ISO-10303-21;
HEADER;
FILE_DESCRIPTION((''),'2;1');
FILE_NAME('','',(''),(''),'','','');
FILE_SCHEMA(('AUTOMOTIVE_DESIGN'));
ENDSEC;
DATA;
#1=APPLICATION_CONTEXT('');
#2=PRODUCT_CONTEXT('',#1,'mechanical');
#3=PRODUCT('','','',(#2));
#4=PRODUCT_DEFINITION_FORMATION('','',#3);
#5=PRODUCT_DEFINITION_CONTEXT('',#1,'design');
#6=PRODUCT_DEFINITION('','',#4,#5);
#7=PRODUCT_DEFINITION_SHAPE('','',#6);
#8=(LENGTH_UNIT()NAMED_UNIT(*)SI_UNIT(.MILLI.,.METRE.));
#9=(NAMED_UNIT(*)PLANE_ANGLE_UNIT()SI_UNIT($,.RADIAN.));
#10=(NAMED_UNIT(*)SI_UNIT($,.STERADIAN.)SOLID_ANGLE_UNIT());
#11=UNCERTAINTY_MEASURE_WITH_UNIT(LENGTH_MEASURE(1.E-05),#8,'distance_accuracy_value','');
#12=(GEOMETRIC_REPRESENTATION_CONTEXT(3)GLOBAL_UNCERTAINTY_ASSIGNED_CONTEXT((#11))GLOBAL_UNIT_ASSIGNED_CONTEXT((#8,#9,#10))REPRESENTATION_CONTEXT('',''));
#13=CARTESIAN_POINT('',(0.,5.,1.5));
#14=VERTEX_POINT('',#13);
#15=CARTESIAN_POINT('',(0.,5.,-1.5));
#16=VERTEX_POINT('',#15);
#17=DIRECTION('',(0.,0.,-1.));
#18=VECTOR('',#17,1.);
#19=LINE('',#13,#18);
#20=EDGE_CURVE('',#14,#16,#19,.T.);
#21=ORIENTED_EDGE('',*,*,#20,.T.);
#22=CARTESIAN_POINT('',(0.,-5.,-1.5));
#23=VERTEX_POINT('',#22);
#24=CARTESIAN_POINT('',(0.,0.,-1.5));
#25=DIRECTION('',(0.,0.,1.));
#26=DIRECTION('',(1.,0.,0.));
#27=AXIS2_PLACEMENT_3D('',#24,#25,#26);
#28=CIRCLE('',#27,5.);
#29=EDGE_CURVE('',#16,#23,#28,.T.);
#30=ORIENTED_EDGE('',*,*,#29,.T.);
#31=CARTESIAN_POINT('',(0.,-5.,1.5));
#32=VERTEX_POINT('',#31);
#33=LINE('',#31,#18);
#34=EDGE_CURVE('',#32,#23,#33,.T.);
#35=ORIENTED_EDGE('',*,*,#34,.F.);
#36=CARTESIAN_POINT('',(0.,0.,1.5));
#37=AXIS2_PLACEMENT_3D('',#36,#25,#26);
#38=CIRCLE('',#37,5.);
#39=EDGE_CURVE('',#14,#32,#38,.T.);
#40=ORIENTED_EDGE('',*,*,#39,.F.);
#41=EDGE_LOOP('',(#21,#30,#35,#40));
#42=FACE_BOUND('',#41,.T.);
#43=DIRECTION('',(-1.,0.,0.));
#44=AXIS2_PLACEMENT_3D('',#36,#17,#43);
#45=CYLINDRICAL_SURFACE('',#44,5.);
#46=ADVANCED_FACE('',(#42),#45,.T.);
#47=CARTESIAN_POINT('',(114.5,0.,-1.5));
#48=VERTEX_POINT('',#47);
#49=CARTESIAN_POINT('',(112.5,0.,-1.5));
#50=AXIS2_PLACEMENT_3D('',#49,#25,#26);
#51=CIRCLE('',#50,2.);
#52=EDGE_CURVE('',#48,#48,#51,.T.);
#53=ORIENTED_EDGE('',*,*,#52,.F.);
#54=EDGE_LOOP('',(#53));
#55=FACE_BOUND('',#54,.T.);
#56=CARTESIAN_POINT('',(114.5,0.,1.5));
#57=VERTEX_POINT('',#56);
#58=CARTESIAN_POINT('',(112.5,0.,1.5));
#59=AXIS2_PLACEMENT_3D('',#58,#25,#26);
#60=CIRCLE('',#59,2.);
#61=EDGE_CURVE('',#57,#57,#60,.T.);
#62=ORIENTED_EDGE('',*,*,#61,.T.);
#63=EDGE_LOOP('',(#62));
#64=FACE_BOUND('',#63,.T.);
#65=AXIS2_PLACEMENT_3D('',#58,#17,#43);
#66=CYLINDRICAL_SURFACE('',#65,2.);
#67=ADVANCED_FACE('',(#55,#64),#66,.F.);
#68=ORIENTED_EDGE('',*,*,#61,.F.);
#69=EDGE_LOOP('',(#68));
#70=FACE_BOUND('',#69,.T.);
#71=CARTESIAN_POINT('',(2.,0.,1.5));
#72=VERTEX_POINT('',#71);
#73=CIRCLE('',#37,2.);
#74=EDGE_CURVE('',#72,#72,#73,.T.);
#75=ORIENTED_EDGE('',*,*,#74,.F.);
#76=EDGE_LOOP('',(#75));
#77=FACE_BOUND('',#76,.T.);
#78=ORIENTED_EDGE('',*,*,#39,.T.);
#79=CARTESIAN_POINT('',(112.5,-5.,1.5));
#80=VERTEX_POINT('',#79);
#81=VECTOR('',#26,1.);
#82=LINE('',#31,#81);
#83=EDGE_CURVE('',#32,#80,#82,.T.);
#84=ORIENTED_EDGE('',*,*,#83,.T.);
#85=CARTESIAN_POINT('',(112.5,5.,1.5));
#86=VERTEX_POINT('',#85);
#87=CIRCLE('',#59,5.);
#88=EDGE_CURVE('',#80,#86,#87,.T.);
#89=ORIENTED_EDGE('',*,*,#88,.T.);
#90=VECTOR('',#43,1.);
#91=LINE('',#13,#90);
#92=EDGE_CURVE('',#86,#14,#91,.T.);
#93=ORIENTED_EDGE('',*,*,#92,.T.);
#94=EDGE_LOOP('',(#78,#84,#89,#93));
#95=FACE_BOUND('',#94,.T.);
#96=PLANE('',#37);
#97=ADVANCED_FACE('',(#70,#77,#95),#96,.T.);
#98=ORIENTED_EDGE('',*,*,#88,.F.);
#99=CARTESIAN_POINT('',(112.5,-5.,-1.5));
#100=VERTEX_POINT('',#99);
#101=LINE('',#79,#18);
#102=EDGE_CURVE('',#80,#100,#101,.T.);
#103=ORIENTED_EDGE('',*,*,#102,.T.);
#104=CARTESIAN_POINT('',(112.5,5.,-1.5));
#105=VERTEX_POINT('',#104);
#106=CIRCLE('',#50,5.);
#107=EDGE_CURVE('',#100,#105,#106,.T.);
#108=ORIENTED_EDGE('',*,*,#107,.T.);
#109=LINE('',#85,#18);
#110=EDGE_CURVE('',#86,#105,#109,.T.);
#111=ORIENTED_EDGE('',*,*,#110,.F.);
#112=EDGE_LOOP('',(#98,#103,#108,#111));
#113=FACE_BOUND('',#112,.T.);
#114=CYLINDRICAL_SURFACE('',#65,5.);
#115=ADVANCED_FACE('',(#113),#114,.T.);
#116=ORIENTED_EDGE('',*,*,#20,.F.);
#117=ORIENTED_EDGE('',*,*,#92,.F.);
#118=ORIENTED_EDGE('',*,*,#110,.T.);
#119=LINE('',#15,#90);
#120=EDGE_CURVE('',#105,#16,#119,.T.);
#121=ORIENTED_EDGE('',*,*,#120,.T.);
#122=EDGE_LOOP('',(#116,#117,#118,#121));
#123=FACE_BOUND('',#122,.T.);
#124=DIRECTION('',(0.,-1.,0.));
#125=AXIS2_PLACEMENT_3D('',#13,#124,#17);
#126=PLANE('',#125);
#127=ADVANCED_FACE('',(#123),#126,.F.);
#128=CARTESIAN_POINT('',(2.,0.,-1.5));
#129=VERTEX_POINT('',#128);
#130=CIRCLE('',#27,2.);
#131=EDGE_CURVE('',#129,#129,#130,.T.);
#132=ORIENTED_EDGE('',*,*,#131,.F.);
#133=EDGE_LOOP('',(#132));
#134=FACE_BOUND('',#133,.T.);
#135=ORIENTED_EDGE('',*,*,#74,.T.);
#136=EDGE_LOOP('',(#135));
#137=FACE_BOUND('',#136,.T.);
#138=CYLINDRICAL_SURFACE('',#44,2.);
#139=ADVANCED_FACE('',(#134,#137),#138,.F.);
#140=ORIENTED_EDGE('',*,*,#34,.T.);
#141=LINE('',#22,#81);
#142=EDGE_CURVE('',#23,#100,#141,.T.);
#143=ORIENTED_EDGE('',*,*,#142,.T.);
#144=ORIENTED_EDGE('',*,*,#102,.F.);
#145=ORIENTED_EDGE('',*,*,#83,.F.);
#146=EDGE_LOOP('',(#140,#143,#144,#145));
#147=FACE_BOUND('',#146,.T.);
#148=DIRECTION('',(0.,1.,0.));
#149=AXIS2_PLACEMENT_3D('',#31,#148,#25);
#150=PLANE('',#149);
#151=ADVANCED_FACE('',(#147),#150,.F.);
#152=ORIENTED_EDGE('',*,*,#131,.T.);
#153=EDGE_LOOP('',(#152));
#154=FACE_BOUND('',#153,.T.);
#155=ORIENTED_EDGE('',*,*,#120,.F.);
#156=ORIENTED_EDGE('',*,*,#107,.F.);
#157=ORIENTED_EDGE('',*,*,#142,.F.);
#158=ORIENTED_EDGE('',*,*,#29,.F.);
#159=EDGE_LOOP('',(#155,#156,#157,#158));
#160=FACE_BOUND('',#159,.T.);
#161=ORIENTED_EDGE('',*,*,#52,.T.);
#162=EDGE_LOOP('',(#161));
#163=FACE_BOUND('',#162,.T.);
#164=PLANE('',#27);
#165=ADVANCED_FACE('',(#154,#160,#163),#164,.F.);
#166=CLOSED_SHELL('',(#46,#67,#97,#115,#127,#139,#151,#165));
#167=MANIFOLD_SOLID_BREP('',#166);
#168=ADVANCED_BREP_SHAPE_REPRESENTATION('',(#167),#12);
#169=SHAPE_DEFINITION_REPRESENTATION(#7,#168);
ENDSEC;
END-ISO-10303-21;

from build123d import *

# Parameters (mm, degrees)
SKETCH_1_R      = 2
EXTRUDE_1_DEPTH = 1.5


with BuildPart() as part:
    # 草图1 → 凸台-拉伸1 (new, symmetric)
    with BuildSketch(Plane.XY):
        with BuildLine():
            Line((0, 5), (112.5, 5))
            ThreePointArc((112.5, 5), (117.5, 0), (112.5, -5))
            Line((112.5, -5), (0, -5))
            ThreePointArc((0, -5), (-5, 0), (0, 5))
        make_face()
        Circle(SKETCH_1_R, mode=Mode.SUBTRACT)
        with Locations((112.5, 0)):
            Circle(SKETCH_1_R, mode=Mode.SUBTRACT)
    extrude(amount=EXTRUDE_1_DEPTH, both=True)


solid = part.part
